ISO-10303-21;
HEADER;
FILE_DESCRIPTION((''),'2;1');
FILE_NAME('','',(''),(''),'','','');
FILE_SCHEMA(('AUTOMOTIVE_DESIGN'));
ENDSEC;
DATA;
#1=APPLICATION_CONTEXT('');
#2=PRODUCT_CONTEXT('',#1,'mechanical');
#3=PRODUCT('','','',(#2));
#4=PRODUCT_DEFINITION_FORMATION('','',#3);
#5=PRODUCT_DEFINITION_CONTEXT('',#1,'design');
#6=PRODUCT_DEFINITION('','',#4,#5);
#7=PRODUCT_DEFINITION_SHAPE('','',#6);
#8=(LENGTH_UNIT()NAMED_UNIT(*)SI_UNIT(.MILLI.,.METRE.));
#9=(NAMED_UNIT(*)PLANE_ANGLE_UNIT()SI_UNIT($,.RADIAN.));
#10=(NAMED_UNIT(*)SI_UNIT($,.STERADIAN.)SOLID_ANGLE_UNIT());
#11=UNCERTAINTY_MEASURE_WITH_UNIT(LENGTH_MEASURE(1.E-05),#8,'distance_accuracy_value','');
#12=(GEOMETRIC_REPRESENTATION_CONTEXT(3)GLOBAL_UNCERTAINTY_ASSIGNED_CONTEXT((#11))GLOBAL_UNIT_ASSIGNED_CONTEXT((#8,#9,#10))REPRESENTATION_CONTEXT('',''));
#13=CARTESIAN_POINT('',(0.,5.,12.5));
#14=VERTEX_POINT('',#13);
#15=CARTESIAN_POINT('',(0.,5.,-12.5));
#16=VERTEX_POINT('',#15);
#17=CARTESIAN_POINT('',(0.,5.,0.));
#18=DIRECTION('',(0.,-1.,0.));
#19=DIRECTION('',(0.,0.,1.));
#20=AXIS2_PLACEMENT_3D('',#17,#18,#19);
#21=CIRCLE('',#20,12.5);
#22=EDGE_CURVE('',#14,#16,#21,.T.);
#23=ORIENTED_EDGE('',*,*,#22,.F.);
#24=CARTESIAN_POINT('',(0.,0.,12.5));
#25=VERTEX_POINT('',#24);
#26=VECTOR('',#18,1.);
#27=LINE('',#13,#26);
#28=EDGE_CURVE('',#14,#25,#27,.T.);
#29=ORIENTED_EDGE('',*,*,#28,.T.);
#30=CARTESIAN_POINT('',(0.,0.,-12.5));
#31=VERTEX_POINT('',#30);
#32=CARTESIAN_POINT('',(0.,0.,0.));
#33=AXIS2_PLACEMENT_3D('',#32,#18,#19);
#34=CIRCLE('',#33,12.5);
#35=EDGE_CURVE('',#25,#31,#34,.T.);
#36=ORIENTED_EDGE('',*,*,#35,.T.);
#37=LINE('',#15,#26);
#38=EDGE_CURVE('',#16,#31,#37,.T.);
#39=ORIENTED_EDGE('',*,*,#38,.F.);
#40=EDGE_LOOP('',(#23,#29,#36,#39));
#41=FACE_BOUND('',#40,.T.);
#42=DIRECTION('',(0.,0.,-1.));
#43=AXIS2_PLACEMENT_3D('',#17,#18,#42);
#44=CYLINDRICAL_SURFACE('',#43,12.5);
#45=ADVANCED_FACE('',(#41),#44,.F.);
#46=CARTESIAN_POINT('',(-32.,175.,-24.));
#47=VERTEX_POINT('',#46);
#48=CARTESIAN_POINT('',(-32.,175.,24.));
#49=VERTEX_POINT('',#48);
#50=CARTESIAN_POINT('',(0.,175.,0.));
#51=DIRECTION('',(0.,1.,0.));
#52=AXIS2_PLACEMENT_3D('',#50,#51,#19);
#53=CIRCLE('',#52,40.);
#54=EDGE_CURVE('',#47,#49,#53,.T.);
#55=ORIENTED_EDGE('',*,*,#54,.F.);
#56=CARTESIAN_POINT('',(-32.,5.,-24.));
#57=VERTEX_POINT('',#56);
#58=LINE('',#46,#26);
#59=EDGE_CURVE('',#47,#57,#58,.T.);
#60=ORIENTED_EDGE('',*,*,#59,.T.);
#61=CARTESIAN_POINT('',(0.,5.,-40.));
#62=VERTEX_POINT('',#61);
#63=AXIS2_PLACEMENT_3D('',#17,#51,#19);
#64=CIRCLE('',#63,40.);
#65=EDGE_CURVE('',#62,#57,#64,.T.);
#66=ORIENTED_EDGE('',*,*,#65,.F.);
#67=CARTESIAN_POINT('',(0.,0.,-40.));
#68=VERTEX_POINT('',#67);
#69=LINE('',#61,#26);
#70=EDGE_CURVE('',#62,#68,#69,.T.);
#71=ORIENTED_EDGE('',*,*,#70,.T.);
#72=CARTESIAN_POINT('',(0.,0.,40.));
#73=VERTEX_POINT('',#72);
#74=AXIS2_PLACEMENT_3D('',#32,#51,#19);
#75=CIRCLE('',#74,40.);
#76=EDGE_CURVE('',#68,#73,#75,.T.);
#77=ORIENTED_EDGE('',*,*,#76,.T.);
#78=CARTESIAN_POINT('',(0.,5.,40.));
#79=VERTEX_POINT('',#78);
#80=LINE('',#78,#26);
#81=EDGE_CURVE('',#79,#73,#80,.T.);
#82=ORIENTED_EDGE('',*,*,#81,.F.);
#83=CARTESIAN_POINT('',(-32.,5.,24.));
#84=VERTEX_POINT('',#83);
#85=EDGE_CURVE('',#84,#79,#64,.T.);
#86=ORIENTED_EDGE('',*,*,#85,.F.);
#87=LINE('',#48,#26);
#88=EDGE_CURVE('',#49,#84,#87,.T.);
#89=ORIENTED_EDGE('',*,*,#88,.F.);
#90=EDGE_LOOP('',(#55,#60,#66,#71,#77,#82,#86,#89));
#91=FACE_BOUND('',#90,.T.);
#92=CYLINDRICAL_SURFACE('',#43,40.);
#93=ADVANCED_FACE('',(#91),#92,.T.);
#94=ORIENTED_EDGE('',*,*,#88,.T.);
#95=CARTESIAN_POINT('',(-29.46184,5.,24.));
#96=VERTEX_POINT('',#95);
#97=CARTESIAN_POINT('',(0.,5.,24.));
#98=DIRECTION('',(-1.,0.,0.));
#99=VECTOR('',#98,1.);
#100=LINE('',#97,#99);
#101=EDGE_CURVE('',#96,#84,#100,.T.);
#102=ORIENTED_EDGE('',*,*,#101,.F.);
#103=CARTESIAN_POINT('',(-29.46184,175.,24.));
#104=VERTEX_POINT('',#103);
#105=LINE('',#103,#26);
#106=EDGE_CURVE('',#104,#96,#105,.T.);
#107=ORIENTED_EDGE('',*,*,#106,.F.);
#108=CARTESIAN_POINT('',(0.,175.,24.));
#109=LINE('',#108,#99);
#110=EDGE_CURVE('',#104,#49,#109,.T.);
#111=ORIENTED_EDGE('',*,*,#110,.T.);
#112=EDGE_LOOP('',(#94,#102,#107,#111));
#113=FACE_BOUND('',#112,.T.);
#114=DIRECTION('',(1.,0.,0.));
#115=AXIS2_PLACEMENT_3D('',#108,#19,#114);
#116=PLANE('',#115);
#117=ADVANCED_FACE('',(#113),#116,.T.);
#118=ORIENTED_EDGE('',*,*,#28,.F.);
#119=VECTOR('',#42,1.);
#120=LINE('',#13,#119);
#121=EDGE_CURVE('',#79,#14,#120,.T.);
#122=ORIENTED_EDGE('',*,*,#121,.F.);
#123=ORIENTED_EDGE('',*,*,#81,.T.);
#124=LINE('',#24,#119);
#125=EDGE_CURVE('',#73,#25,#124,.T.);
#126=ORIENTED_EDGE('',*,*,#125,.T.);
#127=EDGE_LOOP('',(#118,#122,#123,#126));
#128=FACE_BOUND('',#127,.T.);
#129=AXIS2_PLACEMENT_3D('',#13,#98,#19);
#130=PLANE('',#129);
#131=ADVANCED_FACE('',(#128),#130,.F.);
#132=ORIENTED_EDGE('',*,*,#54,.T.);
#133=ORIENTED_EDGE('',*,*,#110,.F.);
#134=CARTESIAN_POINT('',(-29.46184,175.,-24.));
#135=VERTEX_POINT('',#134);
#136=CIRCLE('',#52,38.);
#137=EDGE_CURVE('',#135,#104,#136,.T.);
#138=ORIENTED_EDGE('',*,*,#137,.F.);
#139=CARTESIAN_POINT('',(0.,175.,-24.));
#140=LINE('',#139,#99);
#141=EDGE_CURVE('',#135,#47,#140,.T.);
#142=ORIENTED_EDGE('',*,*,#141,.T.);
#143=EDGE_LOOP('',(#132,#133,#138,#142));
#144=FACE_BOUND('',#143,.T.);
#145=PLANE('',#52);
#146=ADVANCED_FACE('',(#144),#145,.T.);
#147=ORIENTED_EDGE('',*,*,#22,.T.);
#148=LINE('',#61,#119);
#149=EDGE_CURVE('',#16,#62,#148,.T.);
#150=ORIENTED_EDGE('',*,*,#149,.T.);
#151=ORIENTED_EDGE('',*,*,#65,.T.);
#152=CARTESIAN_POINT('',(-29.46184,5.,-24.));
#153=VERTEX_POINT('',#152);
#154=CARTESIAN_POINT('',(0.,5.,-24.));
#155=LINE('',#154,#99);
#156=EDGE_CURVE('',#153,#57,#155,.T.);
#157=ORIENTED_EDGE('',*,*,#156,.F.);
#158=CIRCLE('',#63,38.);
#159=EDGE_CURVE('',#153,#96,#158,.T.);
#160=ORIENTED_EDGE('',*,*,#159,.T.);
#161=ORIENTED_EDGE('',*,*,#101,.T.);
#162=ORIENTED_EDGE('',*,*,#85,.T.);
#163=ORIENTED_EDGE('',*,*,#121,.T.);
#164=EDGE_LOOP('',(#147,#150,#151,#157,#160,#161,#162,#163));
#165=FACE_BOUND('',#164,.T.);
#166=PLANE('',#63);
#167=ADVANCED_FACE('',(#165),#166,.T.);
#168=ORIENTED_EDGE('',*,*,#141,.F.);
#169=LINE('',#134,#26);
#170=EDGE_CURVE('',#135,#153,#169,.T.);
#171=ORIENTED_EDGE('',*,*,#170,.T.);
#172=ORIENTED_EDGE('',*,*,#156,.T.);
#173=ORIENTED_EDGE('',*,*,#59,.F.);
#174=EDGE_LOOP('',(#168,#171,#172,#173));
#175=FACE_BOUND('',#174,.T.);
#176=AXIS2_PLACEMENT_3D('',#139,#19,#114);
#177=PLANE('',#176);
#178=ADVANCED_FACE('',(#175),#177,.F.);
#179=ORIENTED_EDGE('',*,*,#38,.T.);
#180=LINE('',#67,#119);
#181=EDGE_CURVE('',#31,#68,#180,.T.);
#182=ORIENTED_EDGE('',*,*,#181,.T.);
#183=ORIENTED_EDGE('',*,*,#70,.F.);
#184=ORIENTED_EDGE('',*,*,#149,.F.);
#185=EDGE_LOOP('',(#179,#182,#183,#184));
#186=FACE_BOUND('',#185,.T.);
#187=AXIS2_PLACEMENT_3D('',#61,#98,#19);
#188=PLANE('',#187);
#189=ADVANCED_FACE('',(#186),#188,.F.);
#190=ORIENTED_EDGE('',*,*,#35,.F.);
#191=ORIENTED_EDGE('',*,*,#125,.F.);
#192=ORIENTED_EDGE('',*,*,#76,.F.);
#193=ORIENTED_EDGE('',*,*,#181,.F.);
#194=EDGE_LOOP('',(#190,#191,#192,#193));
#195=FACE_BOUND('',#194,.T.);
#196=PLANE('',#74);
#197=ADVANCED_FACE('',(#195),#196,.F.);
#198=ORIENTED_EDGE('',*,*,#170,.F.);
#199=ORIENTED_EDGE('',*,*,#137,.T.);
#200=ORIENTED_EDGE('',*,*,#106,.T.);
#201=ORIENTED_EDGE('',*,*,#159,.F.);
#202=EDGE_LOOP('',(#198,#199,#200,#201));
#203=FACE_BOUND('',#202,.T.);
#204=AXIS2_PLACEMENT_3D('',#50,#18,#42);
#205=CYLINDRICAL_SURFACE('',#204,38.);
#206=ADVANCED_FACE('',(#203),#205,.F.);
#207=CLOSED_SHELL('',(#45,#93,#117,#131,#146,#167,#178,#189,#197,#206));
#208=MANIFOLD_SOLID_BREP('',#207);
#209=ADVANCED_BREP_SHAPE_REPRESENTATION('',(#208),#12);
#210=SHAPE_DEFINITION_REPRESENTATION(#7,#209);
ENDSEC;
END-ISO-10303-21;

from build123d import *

# Parameters (mm, degrees)
BOSS_EXTRUDE1_DEPTH = 5
BOSS_EXTRUDE2_DEPTH = 170


with BuildPart() as part:
    # Sketch1 → Boss-Extrude1 (new body)
    with BuildSketch(Plane(origin=(0, 0, 0), x_dir=(1, 0, 0), z_dir=(0, 1, 0))):
        with BuildLine():
            Line((0, 40), (0, 12.5))
            ThreePointArc((0, 12.5), (-12.5, 0), (0, -12.5))
            Line((0, -12.5), (0, -40))
            ThreePointArc((0, -40), (-40, 0), (0, 40))
        make_face()
    extrude(amount=BOSS_EXTRUDE1_DEPTH)

    # Sketch2 → Boss-Extrude2 (add)
    with BuildSketch(Plane(origin=(0, 5, 0), x_dir=(1, 0, 0), z_dir=(0, 1, 0))):
        with BuildLine():
            ThreePointArc((-29.461839725, -24), (-38, 0), (-29.461839725, 24))
            Line((-29.461839725, 24), (-32, 24))
            ThreePointArc((-32, 24), (-40, 0), (-32, -24))
            Line((-32, -24), (-29.461839725, -24))
        make_face()
    extrude(amount=BOSS_EXTRUDE2_DEPTH)


solid = part.part
